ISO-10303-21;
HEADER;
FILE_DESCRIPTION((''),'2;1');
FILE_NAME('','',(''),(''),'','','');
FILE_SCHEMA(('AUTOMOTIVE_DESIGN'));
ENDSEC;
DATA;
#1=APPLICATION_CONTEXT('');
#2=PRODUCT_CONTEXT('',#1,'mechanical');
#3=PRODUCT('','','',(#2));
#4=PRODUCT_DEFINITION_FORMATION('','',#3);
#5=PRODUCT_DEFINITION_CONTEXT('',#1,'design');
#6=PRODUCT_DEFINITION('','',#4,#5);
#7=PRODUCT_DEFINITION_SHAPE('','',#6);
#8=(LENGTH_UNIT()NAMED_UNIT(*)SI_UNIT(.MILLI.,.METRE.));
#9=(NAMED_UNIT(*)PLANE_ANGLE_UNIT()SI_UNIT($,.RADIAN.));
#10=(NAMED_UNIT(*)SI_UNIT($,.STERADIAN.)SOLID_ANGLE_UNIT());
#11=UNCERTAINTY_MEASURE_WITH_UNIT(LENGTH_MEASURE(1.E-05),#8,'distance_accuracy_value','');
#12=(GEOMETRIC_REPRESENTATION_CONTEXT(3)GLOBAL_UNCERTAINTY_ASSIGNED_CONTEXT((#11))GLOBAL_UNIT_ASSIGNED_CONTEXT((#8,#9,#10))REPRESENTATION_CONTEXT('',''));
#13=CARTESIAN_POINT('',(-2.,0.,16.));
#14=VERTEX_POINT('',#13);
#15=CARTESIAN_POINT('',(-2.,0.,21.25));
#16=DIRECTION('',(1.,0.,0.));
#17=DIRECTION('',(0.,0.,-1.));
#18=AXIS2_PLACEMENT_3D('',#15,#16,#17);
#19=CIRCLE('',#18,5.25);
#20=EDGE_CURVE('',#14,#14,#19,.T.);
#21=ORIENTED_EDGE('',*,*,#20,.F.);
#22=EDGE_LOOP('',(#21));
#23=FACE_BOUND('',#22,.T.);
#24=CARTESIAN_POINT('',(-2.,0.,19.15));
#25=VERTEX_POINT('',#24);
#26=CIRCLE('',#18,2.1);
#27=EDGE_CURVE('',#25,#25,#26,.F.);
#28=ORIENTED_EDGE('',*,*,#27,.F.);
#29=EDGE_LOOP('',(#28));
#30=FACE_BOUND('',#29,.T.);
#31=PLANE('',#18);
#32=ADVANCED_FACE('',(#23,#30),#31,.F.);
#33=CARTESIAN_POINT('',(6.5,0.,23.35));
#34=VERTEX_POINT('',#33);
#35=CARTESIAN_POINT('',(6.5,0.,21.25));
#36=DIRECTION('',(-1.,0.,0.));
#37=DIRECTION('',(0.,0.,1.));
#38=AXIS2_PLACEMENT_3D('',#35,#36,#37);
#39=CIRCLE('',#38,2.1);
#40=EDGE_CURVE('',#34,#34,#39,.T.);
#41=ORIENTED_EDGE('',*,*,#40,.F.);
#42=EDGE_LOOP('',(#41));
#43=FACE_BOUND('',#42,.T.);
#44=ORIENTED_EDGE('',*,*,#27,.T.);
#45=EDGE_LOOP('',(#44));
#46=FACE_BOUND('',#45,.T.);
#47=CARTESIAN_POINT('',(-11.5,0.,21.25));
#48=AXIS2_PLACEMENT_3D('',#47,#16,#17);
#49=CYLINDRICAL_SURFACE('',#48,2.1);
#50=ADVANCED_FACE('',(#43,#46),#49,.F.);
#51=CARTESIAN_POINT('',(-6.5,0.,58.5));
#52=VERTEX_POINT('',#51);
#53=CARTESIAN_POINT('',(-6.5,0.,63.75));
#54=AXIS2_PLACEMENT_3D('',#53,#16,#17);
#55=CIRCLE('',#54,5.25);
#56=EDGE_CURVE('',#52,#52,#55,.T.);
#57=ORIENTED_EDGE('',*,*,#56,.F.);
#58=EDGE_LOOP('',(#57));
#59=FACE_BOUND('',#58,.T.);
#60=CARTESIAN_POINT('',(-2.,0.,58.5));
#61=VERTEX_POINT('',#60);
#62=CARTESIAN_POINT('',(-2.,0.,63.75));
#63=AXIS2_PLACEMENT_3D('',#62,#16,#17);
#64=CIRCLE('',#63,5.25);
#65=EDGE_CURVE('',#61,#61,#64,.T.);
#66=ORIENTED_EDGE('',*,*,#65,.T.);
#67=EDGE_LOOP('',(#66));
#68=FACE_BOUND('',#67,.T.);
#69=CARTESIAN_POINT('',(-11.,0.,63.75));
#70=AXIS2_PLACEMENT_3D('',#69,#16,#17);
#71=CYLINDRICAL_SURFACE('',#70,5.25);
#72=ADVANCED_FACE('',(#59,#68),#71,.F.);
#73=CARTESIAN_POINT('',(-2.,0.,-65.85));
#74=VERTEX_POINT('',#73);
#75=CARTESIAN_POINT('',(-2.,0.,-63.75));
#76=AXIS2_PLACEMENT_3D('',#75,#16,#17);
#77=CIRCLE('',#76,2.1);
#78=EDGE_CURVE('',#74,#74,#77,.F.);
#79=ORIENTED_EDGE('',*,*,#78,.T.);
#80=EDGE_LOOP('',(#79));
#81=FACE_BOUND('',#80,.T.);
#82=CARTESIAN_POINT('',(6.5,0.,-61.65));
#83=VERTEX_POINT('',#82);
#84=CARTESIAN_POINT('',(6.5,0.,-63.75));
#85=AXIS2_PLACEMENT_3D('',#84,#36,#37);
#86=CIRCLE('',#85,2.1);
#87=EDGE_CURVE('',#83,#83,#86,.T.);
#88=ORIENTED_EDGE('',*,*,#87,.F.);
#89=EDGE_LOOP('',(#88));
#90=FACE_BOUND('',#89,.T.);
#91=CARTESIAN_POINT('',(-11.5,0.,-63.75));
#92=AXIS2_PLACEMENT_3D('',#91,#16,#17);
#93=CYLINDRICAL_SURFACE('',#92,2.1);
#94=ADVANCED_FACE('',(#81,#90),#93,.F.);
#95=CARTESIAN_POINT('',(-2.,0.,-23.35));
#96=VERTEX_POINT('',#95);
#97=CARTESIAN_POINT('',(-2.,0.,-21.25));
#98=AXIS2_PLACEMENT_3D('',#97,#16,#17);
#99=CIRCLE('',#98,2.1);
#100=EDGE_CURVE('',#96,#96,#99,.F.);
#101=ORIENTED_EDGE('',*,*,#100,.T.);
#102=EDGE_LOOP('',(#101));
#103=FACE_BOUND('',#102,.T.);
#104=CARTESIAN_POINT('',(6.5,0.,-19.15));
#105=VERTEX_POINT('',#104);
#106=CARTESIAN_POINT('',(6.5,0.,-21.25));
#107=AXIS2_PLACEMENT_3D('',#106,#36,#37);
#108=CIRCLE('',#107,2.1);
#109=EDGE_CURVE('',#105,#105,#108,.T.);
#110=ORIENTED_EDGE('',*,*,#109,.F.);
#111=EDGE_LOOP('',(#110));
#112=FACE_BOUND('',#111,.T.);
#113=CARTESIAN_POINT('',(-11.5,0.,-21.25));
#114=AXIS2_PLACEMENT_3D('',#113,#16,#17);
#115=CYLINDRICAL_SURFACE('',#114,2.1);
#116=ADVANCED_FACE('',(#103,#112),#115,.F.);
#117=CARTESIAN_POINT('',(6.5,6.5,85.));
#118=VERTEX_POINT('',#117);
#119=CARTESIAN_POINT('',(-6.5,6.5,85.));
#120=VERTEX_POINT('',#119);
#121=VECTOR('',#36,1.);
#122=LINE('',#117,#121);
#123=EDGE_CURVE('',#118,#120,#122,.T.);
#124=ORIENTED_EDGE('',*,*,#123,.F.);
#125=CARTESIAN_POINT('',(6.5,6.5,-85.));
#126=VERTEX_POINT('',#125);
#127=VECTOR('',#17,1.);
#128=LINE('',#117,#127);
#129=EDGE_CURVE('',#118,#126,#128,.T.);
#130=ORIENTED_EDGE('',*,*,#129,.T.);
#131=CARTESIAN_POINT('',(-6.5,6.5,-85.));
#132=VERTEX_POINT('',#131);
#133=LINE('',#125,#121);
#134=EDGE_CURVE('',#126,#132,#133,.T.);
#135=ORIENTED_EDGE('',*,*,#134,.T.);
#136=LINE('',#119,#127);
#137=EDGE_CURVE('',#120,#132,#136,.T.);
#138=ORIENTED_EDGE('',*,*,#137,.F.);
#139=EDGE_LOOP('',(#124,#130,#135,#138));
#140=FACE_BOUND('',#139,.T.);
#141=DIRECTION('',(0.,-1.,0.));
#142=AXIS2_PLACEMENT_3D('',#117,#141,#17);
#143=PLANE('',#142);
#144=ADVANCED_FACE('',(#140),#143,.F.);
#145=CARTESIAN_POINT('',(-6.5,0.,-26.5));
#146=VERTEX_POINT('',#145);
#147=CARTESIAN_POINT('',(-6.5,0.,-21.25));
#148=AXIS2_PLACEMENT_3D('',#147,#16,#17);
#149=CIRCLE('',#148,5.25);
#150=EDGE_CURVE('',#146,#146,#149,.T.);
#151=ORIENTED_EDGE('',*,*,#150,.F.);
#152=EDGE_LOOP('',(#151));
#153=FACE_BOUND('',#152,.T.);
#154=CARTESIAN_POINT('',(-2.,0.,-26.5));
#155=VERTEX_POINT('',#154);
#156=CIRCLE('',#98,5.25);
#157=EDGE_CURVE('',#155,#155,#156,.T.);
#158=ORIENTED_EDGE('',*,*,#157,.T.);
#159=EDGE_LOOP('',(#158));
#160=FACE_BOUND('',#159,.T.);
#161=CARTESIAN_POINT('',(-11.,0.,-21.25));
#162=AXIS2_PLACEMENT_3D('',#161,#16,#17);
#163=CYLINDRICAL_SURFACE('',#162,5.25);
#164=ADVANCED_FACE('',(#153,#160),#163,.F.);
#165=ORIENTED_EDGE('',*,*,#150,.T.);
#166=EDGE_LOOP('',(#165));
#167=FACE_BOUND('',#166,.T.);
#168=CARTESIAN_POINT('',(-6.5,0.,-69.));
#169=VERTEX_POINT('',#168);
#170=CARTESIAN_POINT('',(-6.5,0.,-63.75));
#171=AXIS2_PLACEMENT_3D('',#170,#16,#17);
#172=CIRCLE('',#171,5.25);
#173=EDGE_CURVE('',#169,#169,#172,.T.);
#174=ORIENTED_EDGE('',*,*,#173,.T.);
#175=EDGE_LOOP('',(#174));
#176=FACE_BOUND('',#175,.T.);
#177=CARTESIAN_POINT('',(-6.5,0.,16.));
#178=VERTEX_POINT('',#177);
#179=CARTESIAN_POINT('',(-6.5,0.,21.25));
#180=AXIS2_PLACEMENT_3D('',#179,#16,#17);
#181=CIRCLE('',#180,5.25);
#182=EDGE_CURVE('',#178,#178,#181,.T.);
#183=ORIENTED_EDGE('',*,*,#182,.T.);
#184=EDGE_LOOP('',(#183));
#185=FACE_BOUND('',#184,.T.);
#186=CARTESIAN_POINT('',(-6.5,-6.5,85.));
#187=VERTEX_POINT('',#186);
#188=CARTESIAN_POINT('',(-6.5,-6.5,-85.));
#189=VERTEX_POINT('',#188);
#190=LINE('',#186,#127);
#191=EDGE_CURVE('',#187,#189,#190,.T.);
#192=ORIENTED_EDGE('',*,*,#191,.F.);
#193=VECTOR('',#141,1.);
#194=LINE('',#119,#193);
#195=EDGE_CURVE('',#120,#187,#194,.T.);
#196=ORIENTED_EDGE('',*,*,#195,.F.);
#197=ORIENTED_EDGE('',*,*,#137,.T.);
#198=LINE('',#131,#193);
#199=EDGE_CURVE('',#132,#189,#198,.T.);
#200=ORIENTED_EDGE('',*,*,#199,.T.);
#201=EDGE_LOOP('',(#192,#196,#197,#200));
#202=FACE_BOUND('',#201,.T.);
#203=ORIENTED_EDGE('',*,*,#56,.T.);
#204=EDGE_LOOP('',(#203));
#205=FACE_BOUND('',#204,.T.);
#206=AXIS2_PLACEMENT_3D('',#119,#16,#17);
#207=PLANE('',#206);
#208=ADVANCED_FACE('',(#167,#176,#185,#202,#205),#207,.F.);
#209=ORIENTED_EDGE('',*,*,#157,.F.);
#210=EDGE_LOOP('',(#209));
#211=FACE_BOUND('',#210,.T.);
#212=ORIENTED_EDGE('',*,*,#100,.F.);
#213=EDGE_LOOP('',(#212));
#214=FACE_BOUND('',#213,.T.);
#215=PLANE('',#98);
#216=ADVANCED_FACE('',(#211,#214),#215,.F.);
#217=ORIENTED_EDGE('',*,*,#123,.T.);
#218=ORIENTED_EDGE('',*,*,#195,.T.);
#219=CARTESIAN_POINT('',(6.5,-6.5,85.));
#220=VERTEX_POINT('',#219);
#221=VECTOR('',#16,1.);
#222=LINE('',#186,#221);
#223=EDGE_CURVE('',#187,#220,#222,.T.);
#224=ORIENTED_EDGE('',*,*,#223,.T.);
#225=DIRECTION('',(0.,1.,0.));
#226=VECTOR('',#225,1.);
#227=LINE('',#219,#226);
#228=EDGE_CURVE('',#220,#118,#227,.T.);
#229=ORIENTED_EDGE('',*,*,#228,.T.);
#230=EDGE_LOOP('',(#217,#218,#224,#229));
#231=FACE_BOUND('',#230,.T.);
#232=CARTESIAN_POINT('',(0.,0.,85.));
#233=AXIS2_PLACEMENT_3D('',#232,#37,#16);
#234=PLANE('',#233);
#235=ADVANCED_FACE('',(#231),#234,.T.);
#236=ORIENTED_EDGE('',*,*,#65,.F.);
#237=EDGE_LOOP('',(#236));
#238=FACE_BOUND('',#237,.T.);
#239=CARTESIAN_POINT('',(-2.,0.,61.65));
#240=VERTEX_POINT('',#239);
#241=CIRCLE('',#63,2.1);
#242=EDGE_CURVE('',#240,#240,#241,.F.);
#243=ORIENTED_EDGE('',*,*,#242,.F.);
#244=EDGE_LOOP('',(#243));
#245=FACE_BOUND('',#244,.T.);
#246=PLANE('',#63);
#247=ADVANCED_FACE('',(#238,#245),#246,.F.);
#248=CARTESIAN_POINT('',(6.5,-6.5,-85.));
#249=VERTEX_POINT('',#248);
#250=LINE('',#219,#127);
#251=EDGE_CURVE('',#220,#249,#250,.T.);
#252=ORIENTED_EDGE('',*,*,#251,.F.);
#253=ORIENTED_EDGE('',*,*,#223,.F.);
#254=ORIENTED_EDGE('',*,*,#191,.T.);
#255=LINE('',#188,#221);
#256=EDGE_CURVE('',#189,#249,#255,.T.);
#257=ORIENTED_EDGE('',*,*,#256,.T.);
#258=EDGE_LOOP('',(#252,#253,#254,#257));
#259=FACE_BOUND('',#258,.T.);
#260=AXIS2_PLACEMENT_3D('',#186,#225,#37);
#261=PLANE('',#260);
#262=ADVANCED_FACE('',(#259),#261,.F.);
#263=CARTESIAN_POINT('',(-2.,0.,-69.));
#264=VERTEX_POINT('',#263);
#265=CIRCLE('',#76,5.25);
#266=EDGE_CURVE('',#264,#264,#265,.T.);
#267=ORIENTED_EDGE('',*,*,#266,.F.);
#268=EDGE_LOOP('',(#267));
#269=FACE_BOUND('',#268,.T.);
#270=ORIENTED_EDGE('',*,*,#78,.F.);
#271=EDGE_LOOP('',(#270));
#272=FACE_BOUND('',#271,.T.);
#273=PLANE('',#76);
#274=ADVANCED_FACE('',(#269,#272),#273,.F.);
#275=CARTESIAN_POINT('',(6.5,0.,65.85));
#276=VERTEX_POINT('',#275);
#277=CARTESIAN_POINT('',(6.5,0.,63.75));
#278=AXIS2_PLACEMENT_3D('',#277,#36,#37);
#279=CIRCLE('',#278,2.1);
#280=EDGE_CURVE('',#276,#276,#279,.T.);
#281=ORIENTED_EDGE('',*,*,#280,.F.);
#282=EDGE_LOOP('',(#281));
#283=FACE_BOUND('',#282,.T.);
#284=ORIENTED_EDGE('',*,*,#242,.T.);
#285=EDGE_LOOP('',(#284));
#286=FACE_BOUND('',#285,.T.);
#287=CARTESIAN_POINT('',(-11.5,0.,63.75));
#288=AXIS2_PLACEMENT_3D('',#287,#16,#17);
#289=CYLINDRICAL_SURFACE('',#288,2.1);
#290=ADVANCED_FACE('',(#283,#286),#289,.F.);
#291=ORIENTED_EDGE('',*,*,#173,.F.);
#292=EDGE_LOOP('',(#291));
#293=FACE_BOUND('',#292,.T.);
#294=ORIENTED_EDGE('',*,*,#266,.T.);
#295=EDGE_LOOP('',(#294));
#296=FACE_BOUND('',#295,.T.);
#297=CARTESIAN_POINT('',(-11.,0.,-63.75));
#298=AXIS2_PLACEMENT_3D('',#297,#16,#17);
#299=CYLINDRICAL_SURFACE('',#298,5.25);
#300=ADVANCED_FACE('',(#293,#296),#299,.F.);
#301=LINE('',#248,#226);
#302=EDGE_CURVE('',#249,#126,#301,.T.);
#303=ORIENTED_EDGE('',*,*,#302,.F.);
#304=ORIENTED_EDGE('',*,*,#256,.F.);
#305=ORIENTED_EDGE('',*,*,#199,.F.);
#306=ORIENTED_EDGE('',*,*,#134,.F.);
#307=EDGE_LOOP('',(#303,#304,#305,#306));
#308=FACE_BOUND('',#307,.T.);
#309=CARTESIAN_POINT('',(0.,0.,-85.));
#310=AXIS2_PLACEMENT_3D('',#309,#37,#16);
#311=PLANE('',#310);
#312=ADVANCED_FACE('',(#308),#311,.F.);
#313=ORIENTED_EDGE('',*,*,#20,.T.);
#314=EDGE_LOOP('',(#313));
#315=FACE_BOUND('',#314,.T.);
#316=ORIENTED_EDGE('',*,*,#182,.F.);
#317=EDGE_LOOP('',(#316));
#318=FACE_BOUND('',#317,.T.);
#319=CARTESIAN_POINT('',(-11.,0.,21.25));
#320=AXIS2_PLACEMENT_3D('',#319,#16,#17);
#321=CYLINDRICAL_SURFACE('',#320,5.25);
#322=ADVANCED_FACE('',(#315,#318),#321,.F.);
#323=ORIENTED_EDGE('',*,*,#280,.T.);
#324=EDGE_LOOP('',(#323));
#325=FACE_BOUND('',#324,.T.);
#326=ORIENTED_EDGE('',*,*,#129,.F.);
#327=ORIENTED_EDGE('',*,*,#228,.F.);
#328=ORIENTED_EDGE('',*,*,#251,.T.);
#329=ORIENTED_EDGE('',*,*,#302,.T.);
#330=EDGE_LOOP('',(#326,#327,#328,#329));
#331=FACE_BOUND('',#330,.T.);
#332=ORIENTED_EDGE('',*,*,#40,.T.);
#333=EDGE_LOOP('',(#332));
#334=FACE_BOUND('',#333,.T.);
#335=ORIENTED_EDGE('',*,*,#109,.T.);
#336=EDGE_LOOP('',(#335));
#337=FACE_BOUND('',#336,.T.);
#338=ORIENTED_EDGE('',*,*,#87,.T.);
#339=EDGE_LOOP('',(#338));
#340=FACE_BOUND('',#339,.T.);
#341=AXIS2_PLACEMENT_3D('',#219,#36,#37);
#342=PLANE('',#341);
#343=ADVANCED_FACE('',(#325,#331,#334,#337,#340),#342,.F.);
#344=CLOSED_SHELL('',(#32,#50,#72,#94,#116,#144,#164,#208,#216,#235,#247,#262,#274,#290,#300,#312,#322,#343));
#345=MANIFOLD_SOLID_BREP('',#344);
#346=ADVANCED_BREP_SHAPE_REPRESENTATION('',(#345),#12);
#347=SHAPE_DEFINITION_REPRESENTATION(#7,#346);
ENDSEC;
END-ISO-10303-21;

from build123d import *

# Parameters (mm, degrees)
SKETCH1_W           = 13
SKETCH1_H           = 13
BOSS_EXTRUDE1_DEPTH = 85
SKETCH2_R           = 2.1
CUT_EXTRUDE1_DEPTH  = 11.5
SKETCH3_R           = 5.25
CUT_EXTRUDE2_DEPTH  = 4.5


with BuildPart() as part:
    # Sketch1 → Boss-Extrude1 (new, symmetric)
    with BuildSketch(Plane.XY):
        Rectangle(SKETCH1_W, SKETCH1_H)
    extrude(amount=BOSS_EXTRUDE1_DEPTH, both=True)

    # Sketch2 → Cut-Extrude1 (cut, symmetric)
    with BuildSketch(Plane(origin=(0, 0, 0), x_dir=(0, 0, -1), z_dir=(1, 0, 0))):
        with Locations((63.75, 0)):
            Circle(SKETCH2_R)
        with Locations((21.25, 0)):
            Circle(SKETCH2_R)
        with Locations((-21.25, 0)):
            Circle(SKETCH2_R)
        with Locations((-63.75, 0)):
            Circle(SKETCH2_R)
    extrude(amount=CUT_EXTRUDE1_DEPTH, both=True, mode=Mode.SUBTRACT)

    # Sketch3 → Cut-Extrude2 (cut, symmetric)
    with BuildSketch(Plane(origin=(-6.5, 0, 0), x_dir=(0, 0, -1), z_dir=(1, 0, 0))):
        with Locations((63.75, 0)):
            Circle(SKETCH3_R)
        with Locations((21.25, 0)):
            Circle(SKETCH3_R)
        with Locations((-21.25, 0)):
            Circle(SKETCH3_R)
        with Locations((-63.75, 0)):
            Circle(SKETCH3_R)
    extrude(amount=CUT_EXTRUDE2_DEPTH, both=True, mode=Mode.SUBTRACT)


solid = part.part
